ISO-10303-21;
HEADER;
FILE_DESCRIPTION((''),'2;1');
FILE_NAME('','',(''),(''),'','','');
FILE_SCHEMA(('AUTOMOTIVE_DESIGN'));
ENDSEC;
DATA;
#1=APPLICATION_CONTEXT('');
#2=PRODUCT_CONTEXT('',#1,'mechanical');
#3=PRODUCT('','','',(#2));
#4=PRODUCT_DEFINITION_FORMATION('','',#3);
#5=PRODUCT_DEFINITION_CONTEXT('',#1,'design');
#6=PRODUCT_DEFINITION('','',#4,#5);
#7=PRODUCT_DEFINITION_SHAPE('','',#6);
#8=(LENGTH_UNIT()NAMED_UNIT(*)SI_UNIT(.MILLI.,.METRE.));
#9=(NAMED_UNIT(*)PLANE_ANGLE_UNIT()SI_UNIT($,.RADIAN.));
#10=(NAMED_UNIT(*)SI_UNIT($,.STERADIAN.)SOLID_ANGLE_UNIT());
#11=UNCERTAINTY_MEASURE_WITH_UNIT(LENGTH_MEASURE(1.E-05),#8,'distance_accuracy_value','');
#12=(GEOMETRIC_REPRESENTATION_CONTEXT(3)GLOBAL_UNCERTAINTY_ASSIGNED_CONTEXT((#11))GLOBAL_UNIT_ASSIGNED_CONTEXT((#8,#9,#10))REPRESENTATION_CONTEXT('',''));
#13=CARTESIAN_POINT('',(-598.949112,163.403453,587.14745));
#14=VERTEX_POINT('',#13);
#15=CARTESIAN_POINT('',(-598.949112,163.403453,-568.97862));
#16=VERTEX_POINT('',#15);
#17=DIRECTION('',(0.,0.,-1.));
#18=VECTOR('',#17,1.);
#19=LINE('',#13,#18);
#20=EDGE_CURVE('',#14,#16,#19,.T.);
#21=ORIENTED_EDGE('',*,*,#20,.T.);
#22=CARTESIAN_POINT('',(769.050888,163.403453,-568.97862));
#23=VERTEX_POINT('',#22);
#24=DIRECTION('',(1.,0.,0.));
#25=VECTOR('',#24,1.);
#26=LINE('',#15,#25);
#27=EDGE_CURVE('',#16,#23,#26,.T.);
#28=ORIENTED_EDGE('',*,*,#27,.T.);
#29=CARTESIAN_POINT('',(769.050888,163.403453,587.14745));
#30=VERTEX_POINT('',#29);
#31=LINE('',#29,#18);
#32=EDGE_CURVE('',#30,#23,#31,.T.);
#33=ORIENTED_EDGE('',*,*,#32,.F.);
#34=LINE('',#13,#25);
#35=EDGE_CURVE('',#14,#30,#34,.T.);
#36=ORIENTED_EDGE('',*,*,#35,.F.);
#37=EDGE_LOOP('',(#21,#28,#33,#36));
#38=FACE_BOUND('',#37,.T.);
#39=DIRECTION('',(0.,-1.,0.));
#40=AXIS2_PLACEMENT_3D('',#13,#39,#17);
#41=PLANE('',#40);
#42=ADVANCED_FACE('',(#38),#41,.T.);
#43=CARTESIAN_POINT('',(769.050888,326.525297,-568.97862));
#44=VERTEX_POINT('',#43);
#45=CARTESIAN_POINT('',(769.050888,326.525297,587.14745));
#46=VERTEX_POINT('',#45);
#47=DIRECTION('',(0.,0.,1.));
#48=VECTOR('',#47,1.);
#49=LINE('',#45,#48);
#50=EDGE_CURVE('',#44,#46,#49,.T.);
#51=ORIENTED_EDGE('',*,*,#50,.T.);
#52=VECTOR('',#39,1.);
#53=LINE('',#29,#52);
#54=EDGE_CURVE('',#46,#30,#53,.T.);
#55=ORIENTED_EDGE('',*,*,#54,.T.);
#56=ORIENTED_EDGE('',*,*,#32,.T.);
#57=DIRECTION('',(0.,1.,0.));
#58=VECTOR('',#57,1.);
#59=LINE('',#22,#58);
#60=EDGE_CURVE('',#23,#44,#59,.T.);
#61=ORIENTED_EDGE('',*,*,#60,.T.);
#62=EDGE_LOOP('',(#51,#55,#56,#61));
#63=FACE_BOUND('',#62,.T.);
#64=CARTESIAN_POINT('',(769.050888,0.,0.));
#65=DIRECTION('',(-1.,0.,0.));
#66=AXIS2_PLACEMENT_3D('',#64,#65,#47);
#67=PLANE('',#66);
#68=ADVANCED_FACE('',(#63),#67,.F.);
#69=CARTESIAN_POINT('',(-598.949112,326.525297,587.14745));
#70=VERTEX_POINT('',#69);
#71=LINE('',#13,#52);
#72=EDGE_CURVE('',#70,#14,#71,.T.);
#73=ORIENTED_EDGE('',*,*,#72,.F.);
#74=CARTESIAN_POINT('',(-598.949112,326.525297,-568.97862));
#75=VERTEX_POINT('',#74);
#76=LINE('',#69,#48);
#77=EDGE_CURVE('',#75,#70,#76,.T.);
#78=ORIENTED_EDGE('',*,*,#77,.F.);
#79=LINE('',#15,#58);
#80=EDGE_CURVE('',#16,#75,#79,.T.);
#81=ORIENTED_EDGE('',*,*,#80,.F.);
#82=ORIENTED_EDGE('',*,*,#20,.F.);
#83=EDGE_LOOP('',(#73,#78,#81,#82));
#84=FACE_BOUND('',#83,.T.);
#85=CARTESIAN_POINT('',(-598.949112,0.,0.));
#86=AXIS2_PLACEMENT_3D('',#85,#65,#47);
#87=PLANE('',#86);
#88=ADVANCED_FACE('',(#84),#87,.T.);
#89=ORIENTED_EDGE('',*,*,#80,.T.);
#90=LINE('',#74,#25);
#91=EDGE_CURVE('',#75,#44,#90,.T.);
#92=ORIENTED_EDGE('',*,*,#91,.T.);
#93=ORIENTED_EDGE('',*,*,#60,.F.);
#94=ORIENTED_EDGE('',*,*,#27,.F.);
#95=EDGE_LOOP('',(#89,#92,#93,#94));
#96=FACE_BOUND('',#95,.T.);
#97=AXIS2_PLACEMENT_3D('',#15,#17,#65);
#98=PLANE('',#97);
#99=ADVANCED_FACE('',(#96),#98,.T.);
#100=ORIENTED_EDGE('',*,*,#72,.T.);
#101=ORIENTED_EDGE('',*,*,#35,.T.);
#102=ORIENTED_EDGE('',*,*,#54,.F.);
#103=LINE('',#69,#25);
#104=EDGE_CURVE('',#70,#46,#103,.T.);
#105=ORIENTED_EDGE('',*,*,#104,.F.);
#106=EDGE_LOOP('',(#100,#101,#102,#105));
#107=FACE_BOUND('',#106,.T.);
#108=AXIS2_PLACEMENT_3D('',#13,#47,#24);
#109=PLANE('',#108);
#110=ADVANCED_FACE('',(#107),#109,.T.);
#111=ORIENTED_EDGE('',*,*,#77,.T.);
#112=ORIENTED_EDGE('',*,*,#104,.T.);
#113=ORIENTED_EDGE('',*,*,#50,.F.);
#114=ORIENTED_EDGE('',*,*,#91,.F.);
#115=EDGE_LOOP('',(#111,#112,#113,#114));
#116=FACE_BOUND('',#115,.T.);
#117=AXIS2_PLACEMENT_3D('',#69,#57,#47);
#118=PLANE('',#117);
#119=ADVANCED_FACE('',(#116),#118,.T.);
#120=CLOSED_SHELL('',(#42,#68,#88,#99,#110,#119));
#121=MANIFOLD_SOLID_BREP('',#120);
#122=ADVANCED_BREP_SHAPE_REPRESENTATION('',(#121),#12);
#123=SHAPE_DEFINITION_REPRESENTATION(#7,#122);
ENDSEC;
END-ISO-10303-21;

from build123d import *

# Parameters (mm, degrees)
SKETCH1_W                = 1156.126069877
SKETCH1_H                = 163.121844074
BOSS_EXTRUDE1_DEPTH      = 776
BOSS_EXTRUDE1_DEPTH_BACK = 592


with BuildPart() as part:
    # Sketch1 → Boss-Extrude1 (new body, two sides)
    with BuildSketch(Plane(origin=(-6.949111765, -0.000555745, -100.47405685), x_dir=(0, 0, -1), z_dir=(1, 0, 0))) as boss_extrude1_sk:
        with Locations((-109.558471861, 244.964930534)):
            Rectangle(SKETCH1_W, SKETCH1_H)
    extrude(amount=BOSS_EXTRUDE1_DEPTH)
    extrude(boss_extrude1_sk.sketch, amount=-BOSS_EXTRUDE1_DEPTH_BACK)


solid = part.part
